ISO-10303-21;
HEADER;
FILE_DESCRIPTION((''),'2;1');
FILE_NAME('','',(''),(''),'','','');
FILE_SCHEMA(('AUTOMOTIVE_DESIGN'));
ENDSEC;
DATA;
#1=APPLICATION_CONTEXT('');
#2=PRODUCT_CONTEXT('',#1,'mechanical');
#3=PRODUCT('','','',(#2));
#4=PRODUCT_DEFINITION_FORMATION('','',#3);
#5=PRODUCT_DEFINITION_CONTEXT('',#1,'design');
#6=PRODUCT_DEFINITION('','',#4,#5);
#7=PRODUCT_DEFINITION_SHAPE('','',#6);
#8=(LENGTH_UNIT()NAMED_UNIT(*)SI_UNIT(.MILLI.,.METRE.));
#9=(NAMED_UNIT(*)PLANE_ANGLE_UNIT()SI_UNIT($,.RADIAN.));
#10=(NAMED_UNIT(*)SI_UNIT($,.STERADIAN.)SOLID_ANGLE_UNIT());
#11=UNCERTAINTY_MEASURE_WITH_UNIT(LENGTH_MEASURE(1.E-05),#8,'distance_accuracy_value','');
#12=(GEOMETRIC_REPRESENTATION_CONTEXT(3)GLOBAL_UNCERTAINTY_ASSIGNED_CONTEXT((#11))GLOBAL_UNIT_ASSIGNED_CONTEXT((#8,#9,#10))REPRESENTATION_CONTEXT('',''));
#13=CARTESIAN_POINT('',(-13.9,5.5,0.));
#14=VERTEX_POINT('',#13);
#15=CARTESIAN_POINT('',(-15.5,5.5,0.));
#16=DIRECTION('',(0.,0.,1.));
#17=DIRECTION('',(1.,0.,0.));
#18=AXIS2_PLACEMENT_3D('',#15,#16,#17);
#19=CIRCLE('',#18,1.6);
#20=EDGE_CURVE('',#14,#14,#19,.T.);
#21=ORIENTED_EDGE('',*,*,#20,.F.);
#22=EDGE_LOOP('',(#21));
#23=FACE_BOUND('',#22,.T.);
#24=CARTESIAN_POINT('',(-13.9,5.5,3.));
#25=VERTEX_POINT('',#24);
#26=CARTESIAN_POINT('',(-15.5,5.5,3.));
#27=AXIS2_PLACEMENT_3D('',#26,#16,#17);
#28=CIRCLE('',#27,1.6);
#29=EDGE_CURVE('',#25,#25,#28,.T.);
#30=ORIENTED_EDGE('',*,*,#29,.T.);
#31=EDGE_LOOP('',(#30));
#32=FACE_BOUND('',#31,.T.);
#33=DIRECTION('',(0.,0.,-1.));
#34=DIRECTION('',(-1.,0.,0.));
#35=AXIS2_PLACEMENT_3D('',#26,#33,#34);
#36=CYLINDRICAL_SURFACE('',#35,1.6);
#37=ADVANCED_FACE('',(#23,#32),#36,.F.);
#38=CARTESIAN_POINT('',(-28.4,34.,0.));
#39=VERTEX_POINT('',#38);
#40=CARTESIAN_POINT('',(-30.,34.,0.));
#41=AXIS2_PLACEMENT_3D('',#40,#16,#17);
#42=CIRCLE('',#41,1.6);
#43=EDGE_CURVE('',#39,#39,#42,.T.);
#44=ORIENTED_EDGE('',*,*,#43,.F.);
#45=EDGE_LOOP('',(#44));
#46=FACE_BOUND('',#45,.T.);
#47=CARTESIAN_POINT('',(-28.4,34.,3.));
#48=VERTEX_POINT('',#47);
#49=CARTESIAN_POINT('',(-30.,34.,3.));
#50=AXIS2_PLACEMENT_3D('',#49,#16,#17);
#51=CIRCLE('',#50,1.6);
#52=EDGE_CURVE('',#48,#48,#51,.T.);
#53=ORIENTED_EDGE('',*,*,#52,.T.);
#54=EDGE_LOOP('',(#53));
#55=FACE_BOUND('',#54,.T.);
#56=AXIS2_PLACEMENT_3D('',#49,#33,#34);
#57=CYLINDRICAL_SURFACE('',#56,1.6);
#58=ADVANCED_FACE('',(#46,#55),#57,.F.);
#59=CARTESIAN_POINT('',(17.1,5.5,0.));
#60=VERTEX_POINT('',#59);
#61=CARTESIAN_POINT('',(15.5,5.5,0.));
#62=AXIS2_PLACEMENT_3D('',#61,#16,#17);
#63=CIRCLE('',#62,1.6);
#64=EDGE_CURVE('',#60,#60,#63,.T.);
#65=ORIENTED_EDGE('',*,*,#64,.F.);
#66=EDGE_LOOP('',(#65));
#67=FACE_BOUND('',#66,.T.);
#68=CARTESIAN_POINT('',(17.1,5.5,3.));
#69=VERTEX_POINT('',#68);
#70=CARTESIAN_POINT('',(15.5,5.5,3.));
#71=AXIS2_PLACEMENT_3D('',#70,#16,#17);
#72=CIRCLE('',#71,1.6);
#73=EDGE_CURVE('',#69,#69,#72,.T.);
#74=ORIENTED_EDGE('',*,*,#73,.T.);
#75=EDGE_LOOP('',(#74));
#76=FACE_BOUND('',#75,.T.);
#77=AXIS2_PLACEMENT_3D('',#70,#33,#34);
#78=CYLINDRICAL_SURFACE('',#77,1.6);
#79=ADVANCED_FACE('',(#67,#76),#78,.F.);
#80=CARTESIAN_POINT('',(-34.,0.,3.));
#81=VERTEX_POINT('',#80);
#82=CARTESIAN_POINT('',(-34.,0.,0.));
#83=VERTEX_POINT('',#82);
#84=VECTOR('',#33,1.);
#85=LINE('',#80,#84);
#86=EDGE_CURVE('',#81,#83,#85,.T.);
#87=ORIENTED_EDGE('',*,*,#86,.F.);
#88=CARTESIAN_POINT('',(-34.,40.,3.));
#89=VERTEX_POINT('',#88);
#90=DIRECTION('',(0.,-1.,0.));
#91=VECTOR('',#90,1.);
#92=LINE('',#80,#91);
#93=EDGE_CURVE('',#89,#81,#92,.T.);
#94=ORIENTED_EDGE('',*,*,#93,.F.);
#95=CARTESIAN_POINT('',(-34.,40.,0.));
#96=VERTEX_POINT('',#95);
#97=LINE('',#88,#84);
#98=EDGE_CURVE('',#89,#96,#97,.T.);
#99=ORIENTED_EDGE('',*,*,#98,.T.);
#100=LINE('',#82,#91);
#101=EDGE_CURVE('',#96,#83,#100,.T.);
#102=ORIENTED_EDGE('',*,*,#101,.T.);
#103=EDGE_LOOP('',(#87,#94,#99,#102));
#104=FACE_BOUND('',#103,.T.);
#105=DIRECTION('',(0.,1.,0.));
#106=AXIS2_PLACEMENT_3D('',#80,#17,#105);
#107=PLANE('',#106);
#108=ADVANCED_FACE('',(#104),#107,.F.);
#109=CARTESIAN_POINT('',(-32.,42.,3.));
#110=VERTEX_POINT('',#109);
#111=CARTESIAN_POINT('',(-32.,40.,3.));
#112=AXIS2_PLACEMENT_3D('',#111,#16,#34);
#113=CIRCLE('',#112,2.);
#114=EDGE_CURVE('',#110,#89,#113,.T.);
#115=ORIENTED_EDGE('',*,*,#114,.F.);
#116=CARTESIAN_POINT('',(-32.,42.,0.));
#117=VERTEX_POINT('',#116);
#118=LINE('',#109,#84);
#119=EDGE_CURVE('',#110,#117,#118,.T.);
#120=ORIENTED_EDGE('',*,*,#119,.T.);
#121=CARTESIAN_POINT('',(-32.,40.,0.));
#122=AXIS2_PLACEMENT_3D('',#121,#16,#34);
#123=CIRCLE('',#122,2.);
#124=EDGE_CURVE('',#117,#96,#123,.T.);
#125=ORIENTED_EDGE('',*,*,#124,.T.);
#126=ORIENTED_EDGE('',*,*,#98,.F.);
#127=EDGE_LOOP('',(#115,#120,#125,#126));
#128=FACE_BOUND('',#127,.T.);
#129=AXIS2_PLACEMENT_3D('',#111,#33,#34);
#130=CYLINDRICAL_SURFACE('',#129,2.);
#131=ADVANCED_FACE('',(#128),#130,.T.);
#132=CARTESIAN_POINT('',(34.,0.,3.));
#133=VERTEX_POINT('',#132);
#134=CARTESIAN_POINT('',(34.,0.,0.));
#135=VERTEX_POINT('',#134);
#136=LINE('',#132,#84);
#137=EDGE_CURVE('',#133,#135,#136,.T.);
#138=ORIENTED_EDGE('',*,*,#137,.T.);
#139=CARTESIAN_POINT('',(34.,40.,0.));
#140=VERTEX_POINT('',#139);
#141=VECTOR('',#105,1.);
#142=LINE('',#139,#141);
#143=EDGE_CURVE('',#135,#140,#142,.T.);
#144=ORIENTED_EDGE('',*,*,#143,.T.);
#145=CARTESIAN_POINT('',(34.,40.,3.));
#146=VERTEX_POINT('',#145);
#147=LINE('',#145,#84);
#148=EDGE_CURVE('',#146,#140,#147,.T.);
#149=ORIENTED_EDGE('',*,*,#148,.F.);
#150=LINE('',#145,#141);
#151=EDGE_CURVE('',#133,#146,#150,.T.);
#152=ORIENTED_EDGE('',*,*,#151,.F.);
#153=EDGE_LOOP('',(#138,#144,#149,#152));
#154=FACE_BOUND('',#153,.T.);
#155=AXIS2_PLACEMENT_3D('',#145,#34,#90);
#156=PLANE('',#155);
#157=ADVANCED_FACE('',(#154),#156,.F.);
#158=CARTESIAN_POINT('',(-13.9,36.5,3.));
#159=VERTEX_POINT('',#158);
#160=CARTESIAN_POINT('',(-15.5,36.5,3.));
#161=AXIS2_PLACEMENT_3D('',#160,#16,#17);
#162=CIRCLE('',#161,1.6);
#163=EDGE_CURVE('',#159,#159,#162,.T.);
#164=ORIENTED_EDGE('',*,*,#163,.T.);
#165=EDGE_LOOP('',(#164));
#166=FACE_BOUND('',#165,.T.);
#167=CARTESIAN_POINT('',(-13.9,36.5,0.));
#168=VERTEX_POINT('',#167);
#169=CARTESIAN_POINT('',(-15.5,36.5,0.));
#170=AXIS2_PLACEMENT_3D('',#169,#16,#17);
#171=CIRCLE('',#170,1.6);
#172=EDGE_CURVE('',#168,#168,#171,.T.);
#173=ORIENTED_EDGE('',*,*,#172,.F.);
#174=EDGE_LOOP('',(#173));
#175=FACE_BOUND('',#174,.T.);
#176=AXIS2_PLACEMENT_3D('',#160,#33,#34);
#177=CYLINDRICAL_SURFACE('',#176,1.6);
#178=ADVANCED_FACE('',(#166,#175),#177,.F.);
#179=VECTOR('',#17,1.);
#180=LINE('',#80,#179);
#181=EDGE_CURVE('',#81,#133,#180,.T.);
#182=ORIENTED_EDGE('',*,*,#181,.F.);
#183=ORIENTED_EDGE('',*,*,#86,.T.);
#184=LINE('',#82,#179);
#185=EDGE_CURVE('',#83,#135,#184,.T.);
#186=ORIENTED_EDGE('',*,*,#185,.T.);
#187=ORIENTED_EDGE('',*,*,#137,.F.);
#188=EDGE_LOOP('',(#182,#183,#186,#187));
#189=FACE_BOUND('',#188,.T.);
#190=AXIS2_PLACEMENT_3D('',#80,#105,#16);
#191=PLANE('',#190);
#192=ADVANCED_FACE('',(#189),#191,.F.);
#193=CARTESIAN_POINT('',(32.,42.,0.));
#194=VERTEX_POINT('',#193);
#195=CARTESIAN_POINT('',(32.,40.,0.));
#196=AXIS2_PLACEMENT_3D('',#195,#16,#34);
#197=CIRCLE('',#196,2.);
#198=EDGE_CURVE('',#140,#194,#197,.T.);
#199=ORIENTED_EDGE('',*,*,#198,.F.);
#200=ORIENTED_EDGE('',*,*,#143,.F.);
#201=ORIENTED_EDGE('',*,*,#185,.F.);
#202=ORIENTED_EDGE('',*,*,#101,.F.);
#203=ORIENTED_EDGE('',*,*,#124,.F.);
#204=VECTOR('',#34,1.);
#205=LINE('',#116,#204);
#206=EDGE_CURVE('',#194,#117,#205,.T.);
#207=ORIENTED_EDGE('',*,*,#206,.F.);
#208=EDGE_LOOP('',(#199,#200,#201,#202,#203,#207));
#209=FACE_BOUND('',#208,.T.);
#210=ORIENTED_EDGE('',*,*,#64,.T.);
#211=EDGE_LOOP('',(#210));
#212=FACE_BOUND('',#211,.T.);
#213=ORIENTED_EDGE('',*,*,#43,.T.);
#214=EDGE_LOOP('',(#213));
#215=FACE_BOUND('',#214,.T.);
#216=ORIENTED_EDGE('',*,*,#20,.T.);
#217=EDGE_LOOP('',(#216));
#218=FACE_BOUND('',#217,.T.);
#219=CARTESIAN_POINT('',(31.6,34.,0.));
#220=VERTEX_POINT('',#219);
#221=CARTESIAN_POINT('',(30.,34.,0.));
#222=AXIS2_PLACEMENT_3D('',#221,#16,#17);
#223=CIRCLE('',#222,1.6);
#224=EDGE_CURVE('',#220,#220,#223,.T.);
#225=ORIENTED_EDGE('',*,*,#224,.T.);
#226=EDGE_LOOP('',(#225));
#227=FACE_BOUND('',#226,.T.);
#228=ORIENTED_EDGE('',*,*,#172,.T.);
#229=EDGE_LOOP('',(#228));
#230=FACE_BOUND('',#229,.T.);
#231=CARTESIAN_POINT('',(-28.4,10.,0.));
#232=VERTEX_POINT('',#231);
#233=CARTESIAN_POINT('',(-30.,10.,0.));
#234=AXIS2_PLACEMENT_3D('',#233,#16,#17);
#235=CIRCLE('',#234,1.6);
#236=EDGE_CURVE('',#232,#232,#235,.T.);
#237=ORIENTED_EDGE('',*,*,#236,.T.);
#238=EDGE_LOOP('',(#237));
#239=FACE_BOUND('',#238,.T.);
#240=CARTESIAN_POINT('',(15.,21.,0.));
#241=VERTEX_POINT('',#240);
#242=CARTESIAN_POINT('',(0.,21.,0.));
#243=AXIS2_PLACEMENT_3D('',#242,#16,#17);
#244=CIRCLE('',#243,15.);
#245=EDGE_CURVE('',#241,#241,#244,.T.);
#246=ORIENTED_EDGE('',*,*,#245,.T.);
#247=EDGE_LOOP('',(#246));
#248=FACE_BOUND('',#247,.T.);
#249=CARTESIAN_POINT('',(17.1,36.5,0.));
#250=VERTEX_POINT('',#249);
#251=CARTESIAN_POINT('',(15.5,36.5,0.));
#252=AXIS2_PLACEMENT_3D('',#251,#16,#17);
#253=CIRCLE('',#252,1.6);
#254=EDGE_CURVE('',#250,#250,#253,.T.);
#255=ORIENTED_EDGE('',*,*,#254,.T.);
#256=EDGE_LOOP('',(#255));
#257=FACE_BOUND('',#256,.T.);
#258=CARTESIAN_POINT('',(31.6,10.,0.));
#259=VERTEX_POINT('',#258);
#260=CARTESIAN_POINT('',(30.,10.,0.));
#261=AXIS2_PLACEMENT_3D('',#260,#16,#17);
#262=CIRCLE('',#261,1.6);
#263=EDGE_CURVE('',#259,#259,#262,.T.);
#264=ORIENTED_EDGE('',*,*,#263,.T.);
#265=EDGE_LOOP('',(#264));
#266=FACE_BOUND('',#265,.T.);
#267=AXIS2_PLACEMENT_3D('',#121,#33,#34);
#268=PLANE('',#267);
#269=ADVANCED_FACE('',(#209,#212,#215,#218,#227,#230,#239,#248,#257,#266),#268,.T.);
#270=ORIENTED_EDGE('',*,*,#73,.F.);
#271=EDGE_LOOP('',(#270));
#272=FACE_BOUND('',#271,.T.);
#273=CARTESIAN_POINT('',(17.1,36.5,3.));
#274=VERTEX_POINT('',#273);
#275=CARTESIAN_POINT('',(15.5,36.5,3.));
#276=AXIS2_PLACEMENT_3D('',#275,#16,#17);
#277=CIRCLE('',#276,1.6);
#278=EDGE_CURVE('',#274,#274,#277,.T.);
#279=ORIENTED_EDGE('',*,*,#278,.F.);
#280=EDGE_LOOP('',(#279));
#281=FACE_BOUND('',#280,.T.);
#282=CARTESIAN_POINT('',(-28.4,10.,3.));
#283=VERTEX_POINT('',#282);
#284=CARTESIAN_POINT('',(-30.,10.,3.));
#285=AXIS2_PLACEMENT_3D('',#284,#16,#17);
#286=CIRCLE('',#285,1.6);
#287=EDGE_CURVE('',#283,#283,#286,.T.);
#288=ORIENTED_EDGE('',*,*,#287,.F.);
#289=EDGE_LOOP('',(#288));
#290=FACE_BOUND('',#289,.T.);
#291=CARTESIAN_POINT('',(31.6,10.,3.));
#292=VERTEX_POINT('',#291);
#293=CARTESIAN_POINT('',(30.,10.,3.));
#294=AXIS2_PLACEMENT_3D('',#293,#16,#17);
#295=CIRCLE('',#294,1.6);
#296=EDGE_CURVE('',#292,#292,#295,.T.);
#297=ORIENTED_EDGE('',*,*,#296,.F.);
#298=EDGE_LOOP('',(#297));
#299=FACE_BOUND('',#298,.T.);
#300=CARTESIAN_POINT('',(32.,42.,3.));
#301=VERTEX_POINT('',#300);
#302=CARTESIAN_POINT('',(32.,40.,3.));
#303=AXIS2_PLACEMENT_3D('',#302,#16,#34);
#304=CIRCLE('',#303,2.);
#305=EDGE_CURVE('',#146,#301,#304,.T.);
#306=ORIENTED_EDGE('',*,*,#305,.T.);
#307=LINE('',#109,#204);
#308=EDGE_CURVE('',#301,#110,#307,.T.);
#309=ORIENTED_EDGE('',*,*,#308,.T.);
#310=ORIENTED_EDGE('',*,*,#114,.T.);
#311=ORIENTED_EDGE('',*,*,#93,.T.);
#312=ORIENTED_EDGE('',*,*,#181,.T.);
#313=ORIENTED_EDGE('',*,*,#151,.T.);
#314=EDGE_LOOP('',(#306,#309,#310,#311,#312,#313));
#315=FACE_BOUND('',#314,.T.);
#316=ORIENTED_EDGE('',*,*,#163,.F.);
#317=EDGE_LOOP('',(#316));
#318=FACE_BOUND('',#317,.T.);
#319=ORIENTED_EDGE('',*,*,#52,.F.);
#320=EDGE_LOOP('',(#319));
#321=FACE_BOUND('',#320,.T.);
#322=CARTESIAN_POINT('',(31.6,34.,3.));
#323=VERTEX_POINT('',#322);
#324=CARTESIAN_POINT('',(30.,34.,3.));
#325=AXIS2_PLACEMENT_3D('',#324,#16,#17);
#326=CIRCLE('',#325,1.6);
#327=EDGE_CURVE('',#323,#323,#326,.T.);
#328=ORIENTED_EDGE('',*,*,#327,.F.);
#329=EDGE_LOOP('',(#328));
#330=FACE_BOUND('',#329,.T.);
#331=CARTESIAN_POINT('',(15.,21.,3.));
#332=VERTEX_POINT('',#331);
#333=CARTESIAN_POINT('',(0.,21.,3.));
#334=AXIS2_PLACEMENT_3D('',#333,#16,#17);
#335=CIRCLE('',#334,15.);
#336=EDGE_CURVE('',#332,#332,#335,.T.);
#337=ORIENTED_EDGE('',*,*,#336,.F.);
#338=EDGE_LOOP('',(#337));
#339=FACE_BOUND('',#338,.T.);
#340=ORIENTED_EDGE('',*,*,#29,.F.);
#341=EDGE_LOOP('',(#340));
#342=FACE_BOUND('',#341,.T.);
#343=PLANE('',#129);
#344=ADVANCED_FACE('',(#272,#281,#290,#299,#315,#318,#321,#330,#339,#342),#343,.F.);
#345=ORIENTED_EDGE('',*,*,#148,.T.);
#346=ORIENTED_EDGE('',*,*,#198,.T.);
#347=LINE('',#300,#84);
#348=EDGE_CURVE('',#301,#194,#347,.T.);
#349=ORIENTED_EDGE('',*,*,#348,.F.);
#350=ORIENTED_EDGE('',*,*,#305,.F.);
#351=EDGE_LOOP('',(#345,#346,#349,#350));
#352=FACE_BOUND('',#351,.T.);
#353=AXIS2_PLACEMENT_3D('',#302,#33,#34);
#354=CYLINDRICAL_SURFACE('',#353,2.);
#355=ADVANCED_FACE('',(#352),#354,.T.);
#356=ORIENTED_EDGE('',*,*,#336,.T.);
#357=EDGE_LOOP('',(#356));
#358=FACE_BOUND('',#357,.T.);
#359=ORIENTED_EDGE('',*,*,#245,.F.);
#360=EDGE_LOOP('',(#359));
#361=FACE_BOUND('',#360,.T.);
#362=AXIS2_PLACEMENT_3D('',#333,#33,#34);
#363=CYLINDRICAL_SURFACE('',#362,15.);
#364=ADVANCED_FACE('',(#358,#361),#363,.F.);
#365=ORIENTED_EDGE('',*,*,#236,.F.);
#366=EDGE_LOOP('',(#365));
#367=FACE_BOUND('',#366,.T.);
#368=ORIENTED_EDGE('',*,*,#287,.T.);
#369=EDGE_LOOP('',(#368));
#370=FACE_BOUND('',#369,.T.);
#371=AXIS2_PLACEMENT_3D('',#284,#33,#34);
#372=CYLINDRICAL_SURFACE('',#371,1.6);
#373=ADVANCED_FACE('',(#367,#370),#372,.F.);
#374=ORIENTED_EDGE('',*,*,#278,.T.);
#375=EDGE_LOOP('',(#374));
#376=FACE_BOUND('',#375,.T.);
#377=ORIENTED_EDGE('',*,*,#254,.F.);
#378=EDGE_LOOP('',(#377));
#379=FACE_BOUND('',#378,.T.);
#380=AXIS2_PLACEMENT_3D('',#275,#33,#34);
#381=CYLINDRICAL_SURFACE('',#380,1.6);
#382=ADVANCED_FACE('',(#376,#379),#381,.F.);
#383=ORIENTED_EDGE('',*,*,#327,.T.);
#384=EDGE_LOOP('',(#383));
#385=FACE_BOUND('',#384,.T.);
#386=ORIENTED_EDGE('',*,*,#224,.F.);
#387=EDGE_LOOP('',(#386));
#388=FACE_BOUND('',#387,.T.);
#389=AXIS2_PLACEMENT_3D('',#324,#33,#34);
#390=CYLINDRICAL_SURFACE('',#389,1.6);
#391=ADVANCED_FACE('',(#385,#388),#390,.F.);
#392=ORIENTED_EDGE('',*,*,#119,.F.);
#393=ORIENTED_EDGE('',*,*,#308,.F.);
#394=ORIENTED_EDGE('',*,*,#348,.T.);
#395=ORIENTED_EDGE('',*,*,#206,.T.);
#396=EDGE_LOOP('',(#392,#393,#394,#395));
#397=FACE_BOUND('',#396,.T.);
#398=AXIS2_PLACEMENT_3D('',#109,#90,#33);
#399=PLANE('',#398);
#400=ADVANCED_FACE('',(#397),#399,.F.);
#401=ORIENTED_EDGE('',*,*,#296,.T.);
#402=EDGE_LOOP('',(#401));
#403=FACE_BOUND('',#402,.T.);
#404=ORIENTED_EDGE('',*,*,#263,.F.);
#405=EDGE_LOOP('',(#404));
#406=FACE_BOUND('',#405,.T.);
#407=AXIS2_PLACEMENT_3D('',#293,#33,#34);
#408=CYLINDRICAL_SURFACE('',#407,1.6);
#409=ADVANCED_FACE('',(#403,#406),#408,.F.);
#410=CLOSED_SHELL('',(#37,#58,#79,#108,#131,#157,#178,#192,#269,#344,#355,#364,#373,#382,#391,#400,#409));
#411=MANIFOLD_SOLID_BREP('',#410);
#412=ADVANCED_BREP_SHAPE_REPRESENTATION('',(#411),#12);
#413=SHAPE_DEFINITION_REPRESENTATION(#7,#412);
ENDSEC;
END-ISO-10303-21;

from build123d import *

# Parameters (mm, degrees)
SKETCH_1_R      = 1.6
SKETCH_1_R_2    = 15
EXTRUDE_1_DEPTH = 3


with BuildPart() as part:
    # 草图1 → 凸台-拉伸1 (new body)
    with BuildSketch(Plane.XY):
        with BuildLine():
            Line((-34, 0), (34, 0))
            Line((34, 0), (34, 40))
            ThreePointArc((34, 40), (33.414213562, 41.414213562), (32, 42))
            Line((32, 42), (-32, 42))
            ThreePointArc((-32, 42), (-33.414213562, 41.414213562), (-34, 40))
            Line((-34, 40), (-34, 0))
        make_face()
        with Locations((15.5, 5.5)):
            Circle(SKETCH_1_R, mode=Mode.SUBTRACT)
        with Locations((-15.5, 5.5)):
            Circle(SKETCH_1_R, mode=Mode.SUBTRACT)
        with Locations((-15.5, 36.5)):
            Circle(SKETCH_1_R, mode=Mode.SUBTRACT)
        with Locations((15.5, 36.5)):
            Circle(SKETCH_1_R, mode=Mode.SUBTRACT)
        with Locations((30, 34)):
            Circle(SKETCH_1_R, mode=Mode.SUBTRACT)
        with Locations((30, 10)):
            Circle(SKETCH_1_R, mode=Mode.SUBTRACT)
        with Locations((-30, 10)):
            Circle(SKETCH_1_R, mode=Mode.SUBTRACT)
        with Locations((-30, 34)):
            Circle(SKETCH_1_R, mode=Mode.SUBTRACT)
        with Locations((0, 21)):
            Circle(SKETCH_1_R_2, mode=Mode.SUBTRACT)
    extrude(amount=EXTRUDE_1_DEPTH)


solid = part.part
